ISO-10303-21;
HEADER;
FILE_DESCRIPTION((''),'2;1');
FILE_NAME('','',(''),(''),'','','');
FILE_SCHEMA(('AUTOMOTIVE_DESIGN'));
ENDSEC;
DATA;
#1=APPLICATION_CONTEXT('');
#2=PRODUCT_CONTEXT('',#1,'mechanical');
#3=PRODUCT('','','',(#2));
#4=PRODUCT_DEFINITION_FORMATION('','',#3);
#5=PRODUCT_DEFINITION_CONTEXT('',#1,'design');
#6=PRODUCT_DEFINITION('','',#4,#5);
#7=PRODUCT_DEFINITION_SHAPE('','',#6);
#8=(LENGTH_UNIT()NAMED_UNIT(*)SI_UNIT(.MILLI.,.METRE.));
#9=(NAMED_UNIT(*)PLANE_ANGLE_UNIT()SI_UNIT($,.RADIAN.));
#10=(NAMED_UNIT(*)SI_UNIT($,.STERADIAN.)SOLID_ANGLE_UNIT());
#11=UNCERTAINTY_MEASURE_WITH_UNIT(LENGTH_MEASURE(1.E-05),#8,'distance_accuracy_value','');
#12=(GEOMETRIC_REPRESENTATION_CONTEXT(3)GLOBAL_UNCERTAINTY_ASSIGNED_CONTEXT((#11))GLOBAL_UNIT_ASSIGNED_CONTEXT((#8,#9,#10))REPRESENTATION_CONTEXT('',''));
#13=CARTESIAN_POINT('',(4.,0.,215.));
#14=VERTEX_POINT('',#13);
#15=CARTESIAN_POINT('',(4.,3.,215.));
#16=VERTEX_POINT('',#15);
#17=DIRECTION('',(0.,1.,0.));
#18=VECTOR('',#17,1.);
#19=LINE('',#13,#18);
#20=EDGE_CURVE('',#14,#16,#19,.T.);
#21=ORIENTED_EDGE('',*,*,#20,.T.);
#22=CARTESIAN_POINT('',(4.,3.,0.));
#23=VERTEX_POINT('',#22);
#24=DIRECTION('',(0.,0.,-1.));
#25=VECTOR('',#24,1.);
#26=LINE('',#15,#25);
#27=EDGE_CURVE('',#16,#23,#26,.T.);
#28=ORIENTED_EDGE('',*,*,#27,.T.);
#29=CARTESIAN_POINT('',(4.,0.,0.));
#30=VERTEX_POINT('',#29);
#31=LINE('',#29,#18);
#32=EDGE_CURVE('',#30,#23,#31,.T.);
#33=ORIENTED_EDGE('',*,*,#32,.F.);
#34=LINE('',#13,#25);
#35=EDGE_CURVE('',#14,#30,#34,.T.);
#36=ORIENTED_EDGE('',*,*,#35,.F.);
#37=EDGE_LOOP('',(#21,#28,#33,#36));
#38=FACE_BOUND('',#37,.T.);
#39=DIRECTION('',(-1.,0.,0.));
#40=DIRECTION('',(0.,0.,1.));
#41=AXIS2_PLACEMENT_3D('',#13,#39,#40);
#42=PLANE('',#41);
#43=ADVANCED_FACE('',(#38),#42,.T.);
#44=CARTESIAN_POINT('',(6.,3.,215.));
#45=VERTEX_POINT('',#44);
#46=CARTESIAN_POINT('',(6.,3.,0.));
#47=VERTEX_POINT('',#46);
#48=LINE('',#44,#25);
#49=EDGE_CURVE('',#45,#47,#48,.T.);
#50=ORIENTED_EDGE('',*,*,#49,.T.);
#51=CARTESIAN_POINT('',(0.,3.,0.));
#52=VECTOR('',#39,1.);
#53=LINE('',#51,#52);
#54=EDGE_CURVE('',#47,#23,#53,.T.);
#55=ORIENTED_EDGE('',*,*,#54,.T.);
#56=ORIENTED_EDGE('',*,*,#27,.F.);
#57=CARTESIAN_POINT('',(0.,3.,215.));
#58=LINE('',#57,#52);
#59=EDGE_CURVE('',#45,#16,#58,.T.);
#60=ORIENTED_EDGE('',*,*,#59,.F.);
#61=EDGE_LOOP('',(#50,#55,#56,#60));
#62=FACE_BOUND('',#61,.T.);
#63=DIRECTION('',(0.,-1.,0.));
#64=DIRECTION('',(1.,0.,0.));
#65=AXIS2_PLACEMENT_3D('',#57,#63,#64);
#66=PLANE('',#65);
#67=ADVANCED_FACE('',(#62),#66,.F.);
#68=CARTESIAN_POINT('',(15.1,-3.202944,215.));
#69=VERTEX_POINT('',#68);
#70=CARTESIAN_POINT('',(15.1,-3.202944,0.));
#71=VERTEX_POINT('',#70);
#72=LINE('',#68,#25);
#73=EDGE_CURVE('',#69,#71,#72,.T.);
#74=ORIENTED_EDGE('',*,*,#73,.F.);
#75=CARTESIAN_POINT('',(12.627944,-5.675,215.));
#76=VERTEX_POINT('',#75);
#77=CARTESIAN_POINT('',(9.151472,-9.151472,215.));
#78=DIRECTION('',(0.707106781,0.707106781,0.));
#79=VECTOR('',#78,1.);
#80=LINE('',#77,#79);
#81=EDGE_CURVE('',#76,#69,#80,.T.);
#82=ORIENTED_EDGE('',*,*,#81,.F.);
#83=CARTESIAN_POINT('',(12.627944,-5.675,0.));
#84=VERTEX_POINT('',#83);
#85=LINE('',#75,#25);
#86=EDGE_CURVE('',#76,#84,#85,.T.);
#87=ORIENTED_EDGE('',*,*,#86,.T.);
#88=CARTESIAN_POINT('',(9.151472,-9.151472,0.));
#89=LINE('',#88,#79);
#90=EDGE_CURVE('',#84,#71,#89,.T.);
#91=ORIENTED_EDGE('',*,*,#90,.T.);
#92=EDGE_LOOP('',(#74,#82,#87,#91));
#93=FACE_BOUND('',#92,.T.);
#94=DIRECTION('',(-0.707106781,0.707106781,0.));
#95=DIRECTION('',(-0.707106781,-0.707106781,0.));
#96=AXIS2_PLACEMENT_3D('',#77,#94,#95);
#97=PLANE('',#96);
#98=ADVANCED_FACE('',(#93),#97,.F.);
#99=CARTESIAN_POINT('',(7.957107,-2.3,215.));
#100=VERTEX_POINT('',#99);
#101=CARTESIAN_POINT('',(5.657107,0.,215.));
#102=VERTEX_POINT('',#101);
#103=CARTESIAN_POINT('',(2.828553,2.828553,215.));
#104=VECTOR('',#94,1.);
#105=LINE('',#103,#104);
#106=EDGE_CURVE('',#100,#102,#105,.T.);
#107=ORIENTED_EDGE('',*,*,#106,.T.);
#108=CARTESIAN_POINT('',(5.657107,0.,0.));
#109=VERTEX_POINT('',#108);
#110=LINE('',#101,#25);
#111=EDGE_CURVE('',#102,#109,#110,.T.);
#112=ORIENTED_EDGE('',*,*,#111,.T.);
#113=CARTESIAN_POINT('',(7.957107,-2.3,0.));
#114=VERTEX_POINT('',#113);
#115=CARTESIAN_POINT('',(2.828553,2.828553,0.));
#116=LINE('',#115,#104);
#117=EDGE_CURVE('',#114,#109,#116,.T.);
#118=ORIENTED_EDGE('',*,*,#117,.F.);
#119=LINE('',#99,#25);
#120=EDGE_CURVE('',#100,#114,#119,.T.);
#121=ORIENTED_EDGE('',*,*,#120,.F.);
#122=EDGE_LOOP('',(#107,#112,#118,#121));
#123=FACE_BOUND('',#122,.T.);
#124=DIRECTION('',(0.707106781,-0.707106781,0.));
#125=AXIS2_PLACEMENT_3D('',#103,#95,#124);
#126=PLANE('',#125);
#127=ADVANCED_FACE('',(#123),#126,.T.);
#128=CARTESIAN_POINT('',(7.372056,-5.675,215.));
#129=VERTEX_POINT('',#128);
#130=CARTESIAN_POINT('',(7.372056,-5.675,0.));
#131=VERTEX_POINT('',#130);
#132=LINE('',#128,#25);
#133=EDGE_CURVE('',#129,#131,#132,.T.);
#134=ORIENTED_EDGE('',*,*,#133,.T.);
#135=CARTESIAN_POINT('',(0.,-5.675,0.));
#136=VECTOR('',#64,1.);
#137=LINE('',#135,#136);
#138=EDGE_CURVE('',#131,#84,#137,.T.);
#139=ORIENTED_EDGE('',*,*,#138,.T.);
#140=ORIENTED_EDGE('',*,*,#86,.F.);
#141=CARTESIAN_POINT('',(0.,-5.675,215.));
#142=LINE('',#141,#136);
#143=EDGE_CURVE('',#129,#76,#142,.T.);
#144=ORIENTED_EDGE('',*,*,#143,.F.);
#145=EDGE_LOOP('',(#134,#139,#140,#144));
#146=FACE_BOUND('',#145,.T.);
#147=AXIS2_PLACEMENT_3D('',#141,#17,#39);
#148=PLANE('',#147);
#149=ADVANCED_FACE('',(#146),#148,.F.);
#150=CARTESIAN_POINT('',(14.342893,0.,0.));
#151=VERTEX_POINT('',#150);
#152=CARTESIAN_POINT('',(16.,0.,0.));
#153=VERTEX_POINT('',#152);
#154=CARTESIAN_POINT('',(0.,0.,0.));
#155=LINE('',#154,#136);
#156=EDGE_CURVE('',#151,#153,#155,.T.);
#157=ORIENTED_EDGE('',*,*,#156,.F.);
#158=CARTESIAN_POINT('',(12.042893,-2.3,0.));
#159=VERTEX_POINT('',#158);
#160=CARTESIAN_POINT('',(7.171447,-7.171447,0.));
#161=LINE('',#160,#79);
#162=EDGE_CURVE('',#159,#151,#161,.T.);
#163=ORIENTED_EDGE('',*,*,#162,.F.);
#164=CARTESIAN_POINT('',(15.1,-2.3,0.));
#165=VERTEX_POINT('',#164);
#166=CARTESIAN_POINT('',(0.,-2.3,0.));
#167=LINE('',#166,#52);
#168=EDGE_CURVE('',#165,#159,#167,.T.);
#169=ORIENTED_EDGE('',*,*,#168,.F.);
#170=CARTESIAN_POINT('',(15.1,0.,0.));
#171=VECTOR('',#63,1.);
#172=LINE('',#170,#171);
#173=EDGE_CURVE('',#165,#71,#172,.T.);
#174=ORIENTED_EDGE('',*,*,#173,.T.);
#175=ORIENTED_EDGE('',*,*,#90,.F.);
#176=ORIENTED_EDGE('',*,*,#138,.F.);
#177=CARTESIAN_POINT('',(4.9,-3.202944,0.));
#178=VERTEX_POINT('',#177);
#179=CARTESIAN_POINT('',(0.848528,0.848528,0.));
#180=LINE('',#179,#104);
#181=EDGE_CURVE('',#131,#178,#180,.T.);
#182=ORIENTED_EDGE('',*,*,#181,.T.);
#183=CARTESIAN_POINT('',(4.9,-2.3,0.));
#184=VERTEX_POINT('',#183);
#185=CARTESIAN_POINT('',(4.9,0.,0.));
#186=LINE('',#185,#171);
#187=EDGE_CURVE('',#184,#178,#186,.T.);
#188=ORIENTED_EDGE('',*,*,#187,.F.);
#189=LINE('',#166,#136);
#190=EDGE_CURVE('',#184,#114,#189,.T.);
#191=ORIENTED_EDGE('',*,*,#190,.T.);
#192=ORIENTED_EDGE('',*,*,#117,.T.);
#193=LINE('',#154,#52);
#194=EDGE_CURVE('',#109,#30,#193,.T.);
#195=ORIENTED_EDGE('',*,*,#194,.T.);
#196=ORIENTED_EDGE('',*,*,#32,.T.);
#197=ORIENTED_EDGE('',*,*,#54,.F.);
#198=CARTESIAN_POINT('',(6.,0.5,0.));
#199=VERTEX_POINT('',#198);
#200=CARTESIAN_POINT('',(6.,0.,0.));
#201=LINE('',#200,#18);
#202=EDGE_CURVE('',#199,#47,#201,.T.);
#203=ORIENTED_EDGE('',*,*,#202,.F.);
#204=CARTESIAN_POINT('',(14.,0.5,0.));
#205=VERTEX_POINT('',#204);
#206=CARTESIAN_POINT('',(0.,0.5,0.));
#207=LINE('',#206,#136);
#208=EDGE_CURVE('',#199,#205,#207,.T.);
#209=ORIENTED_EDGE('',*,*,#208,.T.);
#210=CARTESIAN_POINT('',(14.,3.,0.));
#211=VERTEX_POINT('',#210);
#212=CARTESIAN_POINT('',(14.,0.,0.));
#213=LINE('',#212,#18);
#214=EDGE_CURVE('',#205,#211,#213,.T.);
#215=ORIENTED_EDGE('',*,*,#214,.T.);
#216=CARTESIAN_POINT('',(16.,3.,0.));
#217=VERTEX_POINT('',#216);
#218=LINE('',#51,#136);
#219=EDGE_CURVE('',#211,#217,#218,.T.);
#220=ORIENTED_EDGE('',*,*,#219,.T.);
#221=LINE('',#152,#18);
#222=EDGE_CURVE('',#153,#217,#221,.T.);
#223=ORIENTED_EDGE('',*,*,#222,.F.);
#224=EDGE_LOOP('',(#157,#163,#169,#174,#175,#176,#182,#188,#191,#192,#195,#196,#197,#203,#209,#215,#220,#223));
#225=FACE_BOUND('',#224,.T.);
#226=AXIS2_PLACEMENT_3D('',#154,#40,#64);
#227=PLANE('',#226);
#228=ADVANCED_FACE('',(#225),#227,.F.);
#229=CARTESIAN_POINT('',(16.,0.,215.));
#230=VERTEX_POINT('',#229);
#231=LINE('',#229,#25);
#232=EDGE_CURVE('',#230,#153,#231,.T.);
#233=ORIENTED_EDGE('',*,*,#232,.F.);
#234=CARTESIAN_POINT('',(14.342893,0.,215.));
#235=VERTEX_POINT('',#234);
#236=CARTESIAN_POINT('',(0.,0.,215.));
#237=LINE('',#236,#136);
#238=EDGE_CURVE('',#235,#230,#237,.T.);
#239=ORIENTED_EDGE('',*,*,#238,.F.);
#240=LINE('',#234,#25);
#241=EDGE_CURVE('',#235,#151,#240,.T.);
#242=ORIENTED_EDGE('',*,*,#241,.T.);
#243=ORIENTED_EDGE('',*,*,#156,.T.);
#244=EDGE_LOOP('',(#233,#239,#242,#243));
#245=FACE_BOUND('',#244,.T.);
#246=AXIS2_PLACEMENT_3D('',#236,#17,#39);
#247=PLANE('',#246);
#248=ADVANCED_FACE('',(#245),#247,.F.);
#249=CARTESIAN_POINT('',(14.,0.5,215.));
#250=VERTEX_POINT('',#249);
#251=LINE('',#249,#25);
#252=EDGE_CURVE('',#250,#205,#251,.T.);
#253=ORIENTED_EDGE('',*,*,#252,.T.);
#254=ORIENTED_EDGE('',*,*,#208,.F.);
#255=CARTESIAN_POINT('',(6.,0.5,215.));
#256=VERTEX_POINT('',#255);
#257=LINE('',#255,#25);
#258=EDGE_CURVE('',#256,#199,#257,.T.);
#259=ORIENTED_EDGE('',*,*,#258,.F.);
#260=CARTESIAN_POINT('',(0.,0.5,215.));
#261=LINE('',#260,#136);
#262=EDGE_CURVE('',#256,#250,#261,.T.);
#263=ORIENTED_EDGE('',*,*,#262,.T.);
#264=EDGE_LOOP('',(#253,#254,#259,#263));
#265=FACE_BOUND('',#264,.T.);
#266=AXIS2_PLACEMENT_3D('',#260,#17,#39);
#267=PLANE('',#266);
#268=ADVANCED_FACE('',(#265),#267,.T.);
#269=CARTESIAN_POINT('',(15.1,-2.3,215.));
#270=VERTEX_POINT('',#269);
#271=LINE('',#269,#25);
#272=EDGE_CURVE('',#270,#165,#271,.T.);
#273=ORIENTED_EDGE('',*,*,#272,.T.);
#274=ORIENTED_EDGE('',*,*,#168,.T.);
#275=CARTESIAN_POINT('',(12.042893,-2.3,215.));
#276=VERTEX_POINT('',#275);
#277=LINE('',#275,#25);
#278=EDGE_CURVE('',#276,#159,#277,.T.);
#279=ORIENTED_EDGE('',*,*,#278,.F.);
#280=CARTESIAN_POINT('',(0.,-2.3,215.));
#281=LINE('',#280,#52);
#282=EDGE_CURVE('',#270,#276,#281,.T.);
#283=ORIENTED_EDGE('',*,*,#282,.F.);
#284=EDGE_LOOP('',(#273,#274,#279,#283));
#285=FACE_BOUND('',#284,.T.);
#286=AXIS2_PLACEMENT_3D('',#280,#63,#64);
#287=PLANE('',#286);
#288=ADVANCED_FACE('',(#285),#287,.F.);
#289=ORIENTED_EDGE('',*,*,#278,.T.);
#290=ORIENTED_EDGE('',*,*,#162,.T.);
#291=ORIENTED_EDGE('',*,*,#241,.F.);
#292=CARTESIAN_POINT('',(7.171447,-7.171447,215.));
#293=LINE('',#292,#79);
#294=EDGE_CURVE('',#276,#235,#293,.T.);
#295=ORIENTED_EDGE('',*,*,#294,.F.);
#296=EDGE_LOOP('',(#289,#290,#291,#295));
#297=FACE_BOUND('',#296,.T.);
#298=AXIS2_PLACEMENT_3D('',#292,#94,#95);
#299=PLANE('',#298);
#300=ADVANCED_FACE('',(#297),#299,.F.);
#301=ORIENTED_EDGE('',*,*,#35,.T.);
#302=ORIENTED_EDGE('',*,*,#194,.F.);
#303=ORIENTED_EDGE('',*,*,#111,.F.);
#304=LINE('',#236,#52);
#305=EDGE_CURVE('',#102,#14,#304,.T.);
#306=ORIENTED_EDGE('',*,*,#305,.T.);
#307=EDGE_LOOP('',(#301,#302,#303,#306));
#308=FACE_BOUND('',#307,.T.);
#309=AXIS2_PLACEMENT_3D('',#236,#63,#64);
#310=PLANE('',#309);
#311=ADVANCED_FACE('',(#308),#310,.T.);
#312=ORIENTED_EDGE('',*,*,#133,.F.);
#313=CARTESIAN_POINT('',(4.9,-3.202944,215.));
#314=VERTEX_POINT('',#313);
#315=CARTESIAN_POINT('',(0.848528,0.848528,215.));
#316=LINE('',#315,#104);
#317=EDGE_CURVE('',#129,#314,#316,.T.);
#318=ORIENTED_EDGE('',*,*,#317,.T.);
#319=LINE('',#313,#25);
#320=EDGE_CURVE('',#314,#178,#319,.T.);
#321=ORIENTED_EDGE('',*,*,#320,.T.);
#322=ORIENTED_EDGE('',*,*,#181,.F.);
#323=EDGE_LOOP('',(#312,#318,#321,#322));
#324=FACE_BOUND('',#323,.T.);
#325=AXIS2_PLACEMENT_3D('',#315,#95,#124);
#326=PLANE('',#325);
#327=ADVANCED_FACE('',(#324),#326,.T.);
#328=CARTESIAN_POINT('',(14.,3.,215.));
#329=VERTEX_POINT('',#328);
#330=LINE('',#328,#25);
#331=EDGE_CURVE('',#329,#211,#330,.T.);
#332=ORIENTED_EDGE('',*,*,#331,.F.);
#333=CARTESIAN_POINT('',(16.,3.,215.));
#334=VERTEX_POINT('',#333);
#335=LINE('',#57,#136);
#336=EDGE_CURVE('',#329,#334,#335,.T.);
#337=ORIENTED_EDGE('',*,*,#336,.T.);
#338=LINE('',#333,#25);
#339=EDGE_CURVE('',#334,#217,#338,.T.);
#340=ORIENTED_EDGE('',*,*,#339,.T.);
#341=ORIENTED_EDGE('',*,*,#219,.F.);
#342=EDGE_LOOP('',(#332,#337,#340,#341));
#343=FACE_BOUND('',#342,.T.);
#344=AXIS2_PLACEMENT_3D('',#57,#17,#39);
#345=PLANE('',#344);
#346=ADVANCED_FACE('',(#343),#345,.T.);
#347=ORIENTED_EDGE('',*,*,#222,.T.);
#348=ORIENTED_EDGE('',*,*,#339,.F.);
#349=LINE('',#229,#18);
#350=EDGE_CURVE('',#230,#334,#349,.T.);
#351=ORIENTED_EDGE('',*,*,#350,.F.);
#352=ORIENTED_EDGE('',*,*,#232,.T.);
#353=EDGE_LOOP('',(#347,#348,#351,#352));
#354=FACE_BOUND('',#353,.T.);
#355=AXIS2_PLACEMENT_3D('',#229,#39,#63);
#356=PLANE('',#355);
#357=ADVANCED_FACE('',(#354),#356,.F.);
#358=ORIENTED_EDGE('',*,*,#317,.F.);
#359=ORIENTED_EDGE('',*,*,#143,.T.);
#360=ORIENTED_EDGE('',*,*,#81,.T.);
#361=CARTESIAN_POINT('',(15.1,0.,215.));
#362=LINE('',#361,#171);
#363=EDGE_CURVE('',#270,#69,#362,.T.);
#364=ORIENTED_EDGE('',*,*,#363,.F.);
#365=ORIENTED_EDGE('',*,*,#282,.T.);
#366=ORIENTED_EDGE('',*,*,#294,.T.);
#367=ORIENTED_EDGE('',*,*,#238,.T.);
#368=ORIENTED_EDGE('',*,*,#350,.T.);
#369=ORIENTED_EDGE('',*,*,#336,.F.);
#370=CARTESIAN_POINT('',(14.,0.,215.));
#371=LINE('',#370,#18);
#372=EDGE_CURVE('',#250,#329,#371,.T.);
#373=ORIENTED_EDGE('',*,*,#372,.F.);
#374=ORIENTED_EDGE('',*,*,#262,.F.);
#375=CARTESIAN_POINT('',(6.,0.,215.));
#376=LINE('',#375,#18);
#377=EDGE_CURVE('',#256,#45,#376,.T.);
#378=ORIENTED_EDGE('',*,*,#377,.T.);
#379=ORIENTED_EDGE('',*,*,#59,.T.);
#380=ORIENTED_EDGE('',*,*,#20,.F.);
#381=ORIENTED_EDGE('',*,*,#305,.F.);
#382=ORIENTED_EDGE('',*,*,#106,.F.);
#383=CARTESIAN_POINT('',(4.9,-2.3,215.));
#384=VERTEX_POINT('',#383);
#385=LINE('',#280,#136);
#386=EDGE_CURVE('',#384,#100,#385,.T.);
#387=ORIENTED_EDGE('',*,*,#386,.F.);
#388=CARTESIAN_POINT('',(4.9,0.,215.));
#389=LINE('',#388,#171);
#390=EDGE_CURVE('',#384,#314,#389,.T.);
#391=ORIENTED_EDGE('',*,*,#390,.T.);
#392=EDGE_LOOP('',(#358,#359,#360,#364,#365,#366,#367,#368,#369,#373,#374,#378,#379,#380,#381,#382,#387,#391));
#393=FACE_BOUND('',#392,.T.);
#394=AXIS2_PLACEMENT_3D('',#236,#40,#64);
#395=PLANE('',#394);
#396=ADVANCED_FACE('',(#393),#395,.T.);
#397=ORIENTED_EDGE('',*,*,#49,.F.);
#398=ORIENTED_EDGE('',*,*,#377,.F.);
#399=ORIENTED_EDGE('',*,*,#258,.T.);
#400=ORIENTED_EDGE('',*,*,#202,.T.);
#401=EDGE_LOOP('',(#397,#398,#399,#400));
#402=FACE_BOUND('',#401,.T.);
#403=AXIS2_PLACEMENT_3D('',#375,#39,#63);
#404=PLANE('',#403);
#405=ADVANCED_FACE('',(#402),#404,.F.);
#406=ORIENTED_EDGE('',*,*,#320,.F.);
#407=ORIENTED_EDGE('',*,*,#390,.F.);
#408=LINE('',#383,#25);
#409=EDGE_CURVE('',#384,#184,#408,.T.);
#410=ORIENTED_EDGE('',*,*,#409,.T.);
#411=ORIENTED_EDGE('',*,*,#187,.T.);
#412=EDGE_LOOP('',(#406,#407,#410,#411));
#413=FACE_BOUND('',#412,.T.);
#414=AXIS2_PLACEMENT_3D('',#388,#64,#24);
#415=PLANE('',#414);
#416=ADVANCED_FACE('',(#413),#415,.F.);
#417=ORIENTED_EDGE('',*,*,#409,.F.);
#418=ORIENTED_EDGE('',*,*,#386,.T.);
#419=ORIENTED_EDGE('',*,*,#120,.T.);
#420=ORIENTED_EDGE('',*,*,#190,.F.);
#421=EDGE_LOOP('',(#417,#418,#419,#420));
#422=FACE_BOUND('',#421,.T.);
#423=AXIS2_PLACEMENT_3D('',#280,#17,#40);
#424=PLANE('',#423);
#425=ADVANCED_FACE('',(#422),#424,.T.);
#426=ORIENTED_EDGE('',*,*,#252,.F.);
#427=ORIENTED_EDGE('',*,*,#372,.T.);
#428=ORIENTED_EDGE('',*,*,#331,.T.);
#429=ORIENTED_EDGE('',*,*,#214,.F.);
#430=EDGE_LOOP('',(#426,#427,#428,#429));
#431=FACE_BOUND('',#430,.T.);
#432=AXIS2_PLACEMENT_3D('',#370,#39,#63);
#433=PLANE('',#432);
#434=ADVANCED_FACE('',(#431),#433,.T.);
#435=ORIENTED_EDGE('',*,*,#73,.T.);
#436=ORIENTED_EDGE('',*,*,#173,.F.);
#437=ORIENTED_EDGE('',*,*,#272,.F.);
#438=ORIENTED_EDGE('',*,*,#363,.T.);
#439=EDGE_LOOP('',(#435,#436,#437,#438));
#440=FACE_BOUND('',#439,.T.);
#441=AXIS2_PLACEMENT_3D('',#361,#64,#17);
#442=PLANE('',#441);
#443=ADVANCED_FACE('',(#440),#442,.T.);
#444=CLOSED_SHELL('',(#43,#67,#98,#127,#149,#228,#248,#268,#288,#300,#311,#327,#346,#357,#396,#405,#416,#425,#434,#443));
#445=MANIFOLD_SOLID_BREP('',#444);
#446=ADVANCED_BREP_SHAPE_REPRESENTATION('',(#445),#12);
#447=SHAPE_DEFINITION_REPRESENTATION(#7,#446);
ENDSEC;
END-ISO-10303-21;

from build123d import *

# Parameters (mm, degrees)
SALIENTE_EXTRUIR1_DEPTH = 215


with BuildPart() as part:
    # Croquis1 → Saliente-Extruir1 (new body)
    with BuildSketch(Plane.XY):
        Polygon((7.372056275, -5.675), (10, -5.675), (10, 0.5), (6, 0.5), (6, 3), (4, 3), (4, 0), (4.4, 0), (4.95, 0), (5.657106781, 0), (7.957106781, -2.3), (4.9, -2.3), (4.9, -3.202943725), align=None)
        Polygon((10, -5.675), (12.627943725, -5.675), (15.1, -3.202943725), (15.1, -2.3), (12.042893219, -2.3), (14.342893219, 0), (16, 0), (16, 3), (14, 3), (14, 0.5), (10, 0.5), align=None)
    extrude(amount=SALIENTE_EXTRUIR1_DEPTH)


solid = part.part
